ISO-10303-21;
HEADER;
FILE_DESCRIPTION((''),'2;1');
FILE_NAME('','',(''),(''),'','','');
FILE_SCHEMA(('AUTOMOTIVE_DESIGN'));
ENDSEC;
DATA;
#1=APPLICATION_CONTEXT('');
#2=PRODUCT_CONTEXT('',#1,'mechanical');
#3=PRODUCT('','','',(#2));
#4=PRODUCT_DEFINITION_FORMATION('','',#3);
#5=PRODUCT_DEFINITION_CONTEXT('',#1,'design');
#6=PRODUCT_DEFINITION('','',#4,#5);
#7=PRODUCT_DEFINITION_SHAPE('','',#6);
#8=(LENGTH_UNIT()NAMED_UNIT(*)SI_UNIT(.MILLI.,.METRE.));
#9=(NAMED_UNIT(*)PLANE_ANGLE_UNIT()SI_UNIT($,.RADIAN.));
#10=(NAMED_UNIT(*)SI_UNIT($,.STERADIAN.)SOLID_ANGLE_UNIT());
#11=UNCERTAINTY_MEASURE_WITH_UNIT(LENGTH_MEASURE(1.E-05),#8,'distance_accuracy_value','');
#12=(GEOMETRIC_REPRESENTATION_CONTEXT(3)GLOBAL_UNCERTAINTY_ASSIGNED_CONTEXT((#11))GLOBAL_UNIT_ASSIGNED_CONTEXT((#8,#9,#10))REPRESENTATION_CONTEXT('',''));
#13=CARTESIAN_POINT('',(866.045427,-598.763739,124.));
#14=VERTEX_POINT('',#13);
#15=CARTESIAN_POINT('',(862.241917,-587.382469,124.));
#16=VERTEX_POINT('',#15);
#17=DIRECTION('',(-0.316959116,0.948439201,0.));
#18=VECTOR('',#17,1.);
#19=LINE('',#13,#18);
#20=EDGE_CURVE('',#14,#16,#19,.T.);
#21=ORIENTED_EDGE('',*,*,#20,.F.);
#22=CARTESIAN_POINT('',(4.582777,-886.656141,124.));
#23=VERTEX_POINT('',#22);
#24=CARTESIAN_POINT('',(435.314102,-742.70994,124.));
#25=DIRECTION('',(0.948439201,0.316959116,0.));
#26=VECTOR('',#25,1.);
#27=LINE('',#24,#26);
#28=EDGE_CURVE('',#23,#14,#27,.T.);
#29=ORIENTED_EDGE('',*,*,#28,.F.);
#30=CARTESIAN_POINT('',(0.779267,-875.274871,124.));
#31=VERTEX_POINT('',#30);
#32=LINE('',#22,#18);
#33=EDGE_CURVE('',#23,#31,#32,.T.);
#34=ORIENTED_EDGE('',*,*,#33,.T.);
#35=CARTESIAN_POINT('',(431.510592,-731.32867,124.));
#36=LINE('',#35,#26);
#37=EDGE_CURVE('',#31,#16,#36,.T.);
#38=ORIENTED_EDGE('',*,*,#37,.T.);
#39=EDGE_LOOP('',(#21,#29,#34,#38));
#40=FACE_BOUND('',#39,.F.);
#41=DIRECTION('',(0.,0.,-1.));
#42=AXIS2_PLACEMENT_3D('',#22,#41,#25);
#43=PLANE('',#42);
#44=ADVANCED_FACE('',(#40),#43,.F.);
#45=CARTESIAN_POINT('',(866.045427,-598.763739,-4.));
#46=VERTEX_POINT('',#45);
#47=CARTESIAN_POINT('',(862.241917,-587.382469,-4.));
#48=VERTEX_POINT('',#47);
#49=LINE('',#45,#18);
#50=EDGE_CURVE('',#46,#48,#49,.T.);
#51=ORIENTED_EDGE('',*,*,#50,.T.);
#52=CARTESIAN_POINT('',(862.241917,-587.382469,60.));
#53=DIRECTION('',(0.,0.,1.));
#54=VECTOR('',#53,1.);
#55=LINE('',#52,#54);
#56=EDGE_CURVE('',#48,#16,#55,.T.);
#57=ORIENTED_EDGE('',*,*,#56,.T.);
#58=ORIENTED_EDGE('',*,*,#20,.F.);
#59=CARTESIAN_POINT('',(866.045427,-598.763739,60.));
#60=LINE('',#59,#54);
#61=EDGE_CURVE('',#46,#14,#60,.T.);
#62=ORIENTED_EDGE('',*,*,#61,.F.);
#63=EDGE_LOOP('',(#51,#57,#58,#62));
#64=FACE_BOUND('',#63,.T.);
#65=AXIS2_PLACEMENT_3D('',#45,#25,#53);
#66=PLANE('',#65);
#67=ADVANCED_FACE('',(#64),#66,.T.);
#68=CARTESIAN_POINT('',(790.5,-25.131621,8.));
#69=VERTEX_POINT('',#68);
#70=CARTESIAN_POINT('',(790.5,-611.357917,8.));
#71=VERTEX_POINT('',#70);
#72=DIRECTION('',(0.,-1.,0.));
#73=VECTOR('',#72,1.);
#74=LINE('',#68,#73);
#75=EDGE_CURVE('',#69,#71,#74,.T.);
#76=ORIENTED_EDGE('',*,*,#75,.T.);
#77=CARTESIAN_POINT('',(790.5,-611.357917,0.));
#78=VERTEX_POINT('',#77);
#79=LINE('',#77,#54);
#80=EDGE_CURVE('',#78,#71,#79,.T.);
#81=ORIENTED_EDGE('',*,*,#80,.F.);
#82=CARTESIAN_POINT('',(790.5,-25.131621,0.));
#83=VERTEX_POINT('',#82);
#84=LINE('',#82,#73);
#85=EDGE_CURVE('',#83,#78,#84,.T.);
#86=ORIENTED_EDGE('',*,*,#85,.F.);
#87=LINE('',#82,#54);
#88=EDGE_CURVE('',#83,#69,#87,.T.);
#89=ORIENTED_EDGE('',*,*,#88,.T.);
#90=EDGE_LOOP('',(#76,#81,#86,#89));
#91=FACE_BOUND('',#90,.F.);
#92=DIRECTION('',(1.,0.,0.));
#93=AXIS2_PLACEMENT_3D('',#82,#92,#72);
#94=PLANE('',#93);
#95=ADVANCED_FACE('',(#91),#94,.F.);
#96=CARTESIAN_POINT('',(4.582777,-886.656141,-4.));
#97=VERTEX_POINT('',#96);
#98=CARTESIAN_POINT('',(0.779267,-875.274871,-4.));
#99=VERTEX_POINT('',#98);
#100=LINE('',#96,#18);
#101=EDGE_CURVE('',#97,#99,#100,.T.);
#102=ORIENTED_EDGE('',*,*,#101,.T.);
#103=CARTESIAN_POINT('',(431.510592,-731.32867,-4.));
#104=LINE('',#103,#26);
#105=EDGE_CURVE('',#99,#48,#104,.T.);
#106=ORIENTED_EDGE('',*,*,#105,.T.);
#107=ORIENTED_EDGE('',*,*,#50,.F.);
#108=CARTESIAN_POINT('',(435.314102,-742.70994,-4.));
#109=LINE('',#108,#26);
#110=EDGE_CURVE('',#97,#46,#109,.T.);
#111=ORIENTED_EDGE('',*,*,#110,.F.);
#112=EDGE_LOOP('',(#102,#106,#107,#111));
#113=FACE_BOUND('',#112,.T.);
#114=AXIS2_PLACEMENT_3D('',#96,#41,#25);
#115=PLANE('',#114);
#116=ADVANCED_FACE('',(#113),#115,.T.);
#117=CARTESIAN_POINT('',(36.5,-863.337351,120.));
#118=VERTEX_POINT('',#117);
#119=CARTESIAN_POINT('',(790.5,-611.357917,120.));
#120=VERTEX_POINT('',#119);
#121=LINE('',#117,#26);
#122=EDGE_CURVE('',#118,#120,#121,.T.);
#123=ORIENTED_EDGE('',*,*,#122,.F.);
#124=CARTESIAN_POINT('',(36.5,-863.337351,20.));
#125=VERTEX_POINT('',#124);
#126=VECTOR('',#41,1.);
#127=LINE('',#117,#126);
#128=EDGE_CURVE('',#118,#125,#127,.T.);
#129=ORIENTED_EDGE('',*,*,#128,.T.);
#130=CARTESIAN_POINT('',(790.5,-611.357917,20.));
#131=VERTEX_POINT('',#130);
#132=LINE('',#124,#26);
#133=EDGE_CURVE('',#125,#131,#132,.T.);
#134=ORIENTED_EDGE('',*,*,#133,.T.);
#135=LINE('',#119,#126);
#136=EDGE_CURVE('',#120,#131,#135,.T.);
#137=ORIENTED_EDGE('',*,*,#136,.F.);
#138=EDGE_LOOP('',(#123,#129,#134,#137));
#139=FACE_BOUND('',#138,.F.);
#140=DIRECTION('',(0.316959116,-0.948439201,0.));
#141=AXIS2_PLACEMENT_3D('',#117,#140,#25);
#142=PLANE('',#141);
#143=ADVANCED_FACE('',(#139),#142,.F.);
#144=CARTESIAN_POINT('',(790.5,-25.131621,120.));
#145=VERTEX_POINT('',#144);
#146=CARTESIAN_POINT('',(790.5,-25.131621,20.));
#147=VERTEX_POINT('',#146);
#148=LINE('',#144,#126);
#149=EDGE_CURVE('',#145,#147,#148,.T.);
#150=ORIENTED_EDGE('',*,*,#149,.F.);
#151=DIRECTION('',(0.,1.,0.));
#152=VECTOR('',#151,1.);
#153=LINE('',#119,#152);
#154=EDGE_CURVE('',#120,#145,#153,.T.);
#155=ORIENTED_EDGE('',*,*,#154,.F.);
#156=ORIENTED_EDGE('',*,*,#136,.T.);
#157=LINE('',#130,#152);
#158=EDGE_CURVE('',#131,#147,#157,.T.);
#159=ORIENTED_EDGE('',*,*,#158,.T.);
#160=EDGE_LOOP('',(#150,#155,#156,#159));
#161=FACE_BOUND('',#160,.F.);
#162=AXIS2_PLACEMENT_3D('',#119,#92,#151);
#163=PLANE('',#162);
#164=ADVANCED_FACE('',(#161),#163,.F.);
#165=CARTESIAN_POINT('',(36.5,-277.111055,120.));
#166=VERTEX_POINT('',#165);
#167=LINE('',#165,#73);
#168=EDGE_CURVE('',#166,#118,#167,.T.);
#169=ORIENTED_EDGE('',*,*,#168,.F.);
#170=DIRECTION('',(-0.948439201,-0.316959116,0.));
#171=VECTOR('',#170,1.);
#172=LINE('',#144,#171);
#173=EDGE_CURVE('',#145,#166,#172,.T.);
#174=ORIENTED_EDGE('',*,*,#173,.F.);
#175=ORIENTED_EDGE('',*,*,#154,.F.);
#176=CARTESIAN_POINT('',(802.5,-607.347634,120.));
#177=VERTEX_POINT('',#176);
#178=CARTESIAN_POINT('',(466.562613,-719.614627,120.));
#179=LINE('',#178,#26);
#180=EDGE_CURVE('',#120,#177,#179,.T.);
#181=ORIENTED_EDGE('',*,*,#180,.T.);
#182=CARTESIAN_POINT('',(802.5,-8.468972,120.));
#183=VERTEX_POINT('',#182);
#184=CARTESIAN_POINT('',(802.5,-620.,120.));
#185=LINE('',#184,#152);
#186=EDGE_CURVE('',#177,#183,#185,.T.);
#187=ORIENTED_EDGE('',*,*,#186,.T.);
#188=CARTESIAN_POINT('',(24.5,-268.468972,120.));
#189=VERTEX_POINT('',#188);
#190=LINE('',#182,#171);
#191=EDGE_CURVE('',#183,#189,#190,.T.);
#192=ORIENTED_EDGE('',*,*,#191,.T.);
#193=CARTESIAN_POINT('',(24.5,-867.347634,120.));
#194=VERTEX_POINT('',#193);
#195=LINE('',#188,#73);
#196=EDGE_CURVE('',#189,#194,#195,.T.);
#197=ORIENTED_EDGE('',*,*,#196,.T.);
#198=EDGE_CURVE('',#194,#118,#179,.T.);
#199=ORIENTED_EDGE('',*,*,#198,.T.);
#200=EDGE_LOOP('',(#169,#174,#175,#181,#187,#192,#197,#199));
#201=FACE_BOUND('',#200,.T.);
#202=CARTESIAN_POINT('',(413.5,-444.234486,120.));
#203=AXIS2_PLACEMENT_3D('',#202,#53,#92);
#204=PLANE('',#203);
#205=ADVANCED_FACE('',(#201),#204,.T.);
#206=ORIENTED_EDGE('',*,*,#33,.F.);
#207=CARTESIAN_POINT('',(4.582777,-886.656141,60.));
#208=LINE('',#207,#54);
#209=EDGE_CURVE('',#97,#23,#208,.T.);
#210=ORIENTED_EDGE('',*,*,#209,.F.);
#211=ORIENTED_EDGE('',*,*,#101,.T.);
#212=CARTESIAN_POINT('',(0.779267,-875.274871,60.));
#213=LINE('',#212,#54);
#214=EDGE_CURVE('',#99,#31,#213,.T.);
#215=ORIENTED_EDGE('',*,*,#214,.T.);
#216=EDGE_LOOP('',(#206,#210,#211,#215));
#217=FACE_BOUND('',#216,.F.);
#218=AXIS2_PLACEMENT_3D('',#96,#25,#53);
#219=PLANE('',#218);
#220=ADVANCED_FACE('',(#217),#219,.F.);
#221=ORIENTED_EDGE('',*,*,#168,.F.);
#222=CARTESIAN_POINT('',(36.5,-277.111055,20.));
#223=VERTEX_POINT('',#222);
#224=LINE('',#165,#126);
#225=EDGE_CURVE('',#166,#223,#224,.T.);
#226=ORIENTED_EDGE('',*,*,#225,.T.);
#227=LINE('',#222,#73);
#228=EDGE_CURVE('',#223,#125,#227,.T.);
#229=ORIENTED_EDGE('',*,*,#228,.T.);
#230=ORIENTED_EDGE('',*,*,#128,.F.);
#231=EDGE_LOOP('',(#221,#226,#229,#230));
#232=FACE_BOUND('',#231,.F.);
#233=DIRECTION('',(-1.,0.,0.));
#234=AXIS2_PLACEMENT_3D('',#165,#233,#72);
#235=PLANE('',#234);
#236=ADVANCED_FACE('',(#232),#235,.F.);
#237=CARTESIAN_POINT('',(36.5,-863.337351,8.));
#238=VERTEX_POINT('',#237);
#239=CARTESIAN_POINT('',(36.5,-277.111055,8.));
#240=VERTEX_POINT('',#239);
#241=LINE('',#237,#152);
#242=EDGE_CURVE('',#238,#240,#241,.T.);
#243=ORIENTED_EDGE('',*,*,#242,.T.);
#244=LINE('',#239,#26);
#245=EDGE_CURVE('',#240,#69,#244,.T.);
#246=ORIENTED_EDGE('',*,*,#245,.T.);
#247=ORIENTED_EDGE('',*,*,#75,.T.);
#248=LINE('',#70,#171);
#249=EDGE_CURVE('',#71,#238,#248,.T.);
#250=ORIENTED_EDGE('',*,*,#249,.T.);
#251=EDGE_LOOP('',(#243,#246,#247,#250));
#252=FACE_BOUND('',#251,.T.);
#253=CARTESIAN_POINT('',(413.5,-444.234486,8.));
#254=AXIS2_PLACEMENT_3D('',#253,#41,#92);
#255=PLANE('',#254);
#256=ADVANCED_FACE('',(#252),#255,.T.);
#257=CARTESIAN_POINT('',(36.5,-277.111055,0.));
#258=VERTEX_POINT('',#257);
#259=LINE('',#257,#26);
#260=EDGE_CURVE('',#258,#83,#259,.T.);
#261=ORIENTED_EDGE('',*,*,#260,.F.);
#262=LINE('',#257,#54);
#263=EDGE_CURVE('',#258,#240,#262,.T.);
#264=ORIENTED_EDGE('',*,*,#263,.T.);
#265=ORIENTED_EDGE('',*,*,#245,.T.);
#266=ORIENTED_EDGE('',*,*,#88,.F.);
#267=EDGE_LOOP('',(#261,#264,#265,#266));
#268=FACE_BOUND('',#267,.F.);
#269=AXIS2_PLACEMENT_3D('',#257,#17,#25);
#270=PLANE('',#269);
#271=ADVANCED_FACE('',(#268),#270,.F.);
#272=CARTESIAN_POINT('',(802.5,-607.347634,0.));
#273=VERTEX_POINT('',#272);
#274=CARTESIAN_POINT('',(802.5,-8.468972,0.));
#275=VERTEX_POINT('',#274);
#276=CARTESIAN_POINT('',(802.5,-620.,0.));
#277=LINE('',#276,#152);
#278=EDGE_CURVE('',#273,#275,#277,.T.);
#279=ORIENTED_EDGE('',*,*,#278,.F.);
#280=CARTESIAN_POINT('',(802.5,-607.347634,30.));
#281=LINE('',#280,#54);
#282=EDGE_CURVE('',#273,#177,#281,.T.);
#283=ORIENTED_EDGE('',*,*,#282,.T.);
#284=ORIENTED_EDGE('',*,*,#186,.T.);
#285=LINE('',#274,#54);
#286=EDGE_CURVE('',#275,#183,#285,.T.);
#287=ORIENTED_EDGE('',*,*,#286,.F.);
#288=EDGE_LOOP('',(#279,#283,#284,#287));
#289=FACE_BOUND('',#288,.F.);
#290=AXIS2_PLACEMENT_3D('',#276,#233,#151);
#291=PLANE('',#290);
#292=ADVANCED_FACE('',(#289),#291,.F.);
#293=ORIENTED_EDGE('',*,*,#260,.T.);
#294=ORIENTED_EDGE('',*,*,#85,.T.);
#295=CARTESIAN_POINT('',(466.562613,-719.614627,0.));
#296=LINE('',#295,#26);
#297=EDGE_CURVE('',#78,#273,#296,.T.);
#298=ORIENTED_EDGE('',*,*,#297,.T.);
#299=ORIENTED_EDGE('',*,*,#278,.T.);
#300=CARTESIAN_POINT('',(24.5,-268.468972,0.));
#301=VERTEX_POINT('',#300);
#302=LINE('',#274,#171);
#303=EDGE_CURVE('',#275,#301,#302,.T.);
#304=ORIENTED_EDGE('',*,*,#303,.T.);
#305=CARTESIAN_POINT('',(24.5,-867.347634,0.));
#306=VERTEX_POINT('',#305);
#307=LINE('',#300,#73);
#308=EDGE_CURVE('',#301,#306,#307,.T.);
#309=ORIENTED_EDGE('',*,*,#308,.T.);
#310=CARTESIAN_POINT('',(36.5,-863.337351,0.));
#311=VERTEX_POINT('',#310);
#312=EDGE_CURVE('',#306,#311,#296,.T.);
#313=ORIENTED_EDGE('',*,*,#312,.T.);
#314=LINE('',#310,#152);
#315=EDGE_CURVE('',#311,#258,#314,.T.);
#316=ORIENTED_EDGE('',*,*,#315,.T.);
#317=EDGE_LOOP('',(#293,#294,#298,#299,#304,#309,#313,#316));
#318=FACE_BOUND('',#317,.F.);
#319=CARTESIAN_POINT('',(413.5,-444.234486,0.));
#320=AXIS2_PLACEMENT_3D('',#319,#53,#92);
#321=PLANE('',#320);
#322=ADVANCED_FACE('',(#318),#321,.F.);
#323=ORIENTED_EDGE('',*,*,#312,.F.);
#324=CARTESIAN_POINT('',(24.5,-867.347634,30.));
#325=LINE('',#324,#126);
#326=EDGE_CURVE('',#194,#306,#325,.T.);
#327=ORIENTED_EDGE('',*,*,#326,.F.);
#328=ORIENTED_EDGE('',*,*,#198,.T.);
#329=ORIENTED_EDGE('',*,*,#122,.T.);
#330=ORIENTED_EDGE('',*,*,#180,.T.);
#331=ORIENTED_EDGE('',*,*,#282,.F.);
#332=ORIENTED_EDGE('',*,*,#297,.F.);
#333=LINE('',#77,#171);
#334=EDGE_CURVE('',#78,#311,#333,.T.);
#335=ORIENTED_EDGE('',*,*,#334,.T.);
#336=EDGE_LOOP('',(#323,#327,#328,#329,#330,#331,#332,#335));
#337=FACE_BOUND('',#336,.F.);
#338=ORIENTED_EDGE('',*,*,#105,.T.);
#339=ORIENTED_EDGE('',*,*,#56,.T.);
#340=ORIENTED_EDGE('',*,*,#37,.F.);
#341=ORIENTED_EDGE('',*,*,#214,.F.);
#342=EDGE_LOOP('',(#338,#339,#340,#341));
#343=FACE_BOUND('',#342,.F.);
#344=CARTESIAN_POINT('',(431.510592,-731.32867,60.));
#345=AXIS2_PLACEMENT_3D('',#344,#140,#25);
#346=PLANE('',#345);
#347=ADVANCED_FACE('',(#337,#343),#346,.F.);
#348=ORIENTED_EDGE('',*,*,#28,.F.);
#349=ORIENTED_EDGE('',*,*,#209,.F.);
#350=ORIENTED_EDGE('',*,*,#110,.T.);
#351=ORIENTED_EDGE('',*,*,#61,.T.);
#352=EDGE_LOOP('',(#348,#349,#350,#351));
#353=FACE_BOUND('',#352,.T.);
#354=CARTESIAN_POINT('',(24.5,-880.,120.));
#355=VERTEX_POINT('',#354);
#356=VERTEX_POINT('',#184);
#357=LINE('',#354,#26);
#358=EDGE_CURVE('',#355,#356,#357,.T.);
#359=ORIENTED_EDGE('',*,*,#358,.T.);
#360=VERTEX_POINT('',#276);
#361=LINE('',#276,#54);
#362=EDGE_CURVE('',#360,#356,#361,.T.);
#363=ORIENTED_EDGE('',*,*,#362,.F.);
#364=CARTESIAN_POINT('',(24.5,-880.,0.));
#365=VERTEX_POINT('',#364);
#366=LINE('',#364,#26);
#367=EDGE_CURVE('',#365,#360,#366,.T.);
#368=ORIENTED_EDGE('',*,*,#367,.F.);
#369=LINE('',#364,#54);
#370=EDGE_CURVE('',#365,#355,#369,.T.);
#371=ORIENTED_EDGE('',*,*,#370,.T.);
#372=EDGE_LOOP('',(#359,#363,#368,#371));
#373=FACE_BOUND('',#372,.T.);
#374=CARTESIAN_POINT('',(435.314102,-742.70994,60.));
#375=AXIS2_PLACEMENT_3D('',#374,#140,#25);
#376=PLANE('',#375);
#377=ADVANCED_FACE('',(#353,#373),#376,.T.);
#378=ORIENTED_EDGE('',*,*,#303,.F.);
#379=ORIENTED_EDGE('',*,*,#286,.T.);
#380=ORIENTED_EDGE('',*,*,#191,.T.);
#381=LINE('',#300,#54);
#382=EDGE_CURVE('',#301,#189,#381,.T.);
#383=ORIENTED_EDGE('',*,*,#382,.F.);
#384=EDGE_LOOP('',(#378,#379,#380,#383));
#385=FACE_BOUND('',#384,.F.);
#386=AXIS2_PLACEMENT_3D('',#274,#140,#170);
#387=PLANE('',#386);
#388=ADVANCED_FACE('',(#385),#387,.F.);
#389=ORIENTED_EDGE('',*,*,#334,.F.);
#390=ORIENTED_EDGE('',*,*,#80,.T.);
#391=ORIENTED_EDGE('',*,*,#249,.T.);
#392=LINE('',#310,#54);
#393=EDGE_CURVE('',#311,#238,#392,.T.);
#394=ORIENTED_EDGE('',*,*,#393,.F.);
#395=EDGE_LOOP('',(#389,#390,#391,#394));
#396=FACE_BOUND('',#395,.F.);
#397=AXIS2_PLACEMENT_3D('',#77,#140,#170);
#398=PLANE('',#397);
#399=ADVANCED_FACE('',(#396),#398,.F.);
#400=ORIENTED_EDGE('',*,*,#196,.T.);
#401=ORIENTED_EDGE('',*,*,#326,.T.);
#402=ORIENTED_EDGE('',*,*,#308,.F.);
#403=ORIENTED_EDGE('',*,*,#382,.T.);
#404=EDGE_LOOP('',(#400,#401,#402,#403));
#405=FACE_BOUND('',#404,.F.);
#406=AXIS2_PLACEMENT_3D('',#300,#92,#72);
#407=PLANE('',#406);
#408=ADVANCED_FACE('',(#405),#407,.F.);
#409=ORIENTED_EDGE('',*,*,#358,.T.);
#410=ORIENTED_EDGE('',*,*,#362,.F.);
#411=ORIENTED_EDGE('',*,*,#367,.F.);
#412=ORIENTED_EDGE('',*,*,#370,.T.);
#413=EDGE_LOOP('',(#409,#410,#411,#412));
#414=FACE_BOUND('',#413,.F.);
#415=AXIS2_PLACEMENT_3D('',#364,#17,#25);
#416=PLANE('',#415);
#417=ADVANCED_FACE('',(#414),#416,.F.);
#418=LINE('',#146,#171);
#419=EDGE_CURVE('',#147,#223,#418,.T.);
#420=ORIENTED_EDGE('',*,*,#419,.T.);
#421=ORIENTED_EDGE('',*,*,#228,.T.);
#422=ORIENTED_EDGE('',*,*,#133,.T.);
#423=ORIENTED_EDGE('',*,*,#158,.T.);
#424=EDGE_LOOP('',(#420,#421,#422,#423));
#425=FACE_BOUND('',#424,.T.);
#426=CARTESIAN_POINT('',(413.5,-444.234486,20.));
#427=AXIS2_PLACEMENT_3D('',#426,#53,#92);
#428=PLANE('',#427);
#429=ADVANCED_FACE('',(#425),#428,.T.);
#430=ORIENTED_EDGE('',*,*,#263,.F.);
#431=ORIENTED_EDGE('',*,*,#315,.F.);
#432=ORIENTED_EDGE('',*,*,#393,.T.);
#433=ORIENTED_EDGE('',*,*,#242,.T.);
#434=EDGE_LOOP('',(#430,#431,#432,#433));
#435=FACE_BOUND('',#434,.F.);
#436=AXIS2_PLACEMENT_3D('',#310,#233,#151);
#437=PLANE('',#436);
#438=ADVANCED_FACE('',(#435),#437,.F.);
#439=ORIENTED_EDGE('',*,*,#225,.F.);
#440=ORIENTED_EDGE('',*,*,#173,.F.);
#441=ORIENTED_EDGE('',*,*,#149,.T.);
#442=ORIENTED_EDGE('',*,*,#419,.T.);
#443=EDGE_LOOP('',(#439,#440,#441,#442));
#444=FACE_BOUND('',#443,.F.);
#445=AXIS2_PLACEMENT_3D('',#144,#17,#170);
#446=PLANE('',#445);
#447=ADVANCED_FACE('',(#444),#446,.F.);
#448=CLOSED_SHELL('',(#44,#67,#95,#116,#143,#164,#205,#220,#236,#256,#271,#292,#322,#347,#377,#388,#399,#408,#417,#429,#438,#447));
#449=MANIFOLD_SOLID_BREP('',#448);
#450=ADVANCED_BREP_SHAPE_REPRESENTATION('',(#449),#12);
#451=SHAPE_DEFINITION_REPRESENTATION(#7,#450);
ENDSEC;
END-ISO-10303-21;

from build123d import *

# Parameters (mm, degrees)
F1_DEPTH = 120
F3_DEPTH = 8
F5_DEPTH = 100
F6_W     = 908.2950688624
F6_H     = 128
F7_DEPTH = 12


with BuildPart() as f1:
    # F0 (on Top) → F1 (new body)
    with BuildSketch(Plane.XY):
        Polygon((802.5, -8.4689717992), (24.5, -268.4689717992), (24.5, -880), (802.5, -620), align=None)
    extrude(amount=F1_DEPTH)

    # F2 (on face) → F3 (cut)
    with BuildSketch(Plane(origin=(0, 0, 0), x_dir=(1, 0, 0), z_dir=(0, 0, -1))):
        Polygon((36.5, 277.1110551236), (790.5, 25.1316206763), (790.5, 611.3579166756), (36.5, 863.3373511229), align=None)
    extrude(amount=-F3_DEPTH, mode=Mode.SUBTRACT)

    # F4 (on face) → F5 (cut, through all)
    with BuildSketch(Plane.XY.offset(120)):
        Polygon((790.5, -611.3579166756), (790.5, -25.1316206763), (36.5, -277.1110551236), (36.5, -863.3373511229), align=None)
    extrude(amount=-F5_DEPTH, mode=Mode.SUBTRACT)

    # F6 (on face) → F7 (join, through all)
    with BuildSketch(Plane(origin=(267.0038223527, -798.9575915017, 0), x_dir=(0.9484392014, 0.3169591161, 0), z_dir=(0.3169591161, -0.9484392014, 0))):
        with Locations((177.4602726623, 60)):
            Rectangle(F6_W, F6_H)
    extrude(amount=-F7_DEPTH)


solid = f1.part
